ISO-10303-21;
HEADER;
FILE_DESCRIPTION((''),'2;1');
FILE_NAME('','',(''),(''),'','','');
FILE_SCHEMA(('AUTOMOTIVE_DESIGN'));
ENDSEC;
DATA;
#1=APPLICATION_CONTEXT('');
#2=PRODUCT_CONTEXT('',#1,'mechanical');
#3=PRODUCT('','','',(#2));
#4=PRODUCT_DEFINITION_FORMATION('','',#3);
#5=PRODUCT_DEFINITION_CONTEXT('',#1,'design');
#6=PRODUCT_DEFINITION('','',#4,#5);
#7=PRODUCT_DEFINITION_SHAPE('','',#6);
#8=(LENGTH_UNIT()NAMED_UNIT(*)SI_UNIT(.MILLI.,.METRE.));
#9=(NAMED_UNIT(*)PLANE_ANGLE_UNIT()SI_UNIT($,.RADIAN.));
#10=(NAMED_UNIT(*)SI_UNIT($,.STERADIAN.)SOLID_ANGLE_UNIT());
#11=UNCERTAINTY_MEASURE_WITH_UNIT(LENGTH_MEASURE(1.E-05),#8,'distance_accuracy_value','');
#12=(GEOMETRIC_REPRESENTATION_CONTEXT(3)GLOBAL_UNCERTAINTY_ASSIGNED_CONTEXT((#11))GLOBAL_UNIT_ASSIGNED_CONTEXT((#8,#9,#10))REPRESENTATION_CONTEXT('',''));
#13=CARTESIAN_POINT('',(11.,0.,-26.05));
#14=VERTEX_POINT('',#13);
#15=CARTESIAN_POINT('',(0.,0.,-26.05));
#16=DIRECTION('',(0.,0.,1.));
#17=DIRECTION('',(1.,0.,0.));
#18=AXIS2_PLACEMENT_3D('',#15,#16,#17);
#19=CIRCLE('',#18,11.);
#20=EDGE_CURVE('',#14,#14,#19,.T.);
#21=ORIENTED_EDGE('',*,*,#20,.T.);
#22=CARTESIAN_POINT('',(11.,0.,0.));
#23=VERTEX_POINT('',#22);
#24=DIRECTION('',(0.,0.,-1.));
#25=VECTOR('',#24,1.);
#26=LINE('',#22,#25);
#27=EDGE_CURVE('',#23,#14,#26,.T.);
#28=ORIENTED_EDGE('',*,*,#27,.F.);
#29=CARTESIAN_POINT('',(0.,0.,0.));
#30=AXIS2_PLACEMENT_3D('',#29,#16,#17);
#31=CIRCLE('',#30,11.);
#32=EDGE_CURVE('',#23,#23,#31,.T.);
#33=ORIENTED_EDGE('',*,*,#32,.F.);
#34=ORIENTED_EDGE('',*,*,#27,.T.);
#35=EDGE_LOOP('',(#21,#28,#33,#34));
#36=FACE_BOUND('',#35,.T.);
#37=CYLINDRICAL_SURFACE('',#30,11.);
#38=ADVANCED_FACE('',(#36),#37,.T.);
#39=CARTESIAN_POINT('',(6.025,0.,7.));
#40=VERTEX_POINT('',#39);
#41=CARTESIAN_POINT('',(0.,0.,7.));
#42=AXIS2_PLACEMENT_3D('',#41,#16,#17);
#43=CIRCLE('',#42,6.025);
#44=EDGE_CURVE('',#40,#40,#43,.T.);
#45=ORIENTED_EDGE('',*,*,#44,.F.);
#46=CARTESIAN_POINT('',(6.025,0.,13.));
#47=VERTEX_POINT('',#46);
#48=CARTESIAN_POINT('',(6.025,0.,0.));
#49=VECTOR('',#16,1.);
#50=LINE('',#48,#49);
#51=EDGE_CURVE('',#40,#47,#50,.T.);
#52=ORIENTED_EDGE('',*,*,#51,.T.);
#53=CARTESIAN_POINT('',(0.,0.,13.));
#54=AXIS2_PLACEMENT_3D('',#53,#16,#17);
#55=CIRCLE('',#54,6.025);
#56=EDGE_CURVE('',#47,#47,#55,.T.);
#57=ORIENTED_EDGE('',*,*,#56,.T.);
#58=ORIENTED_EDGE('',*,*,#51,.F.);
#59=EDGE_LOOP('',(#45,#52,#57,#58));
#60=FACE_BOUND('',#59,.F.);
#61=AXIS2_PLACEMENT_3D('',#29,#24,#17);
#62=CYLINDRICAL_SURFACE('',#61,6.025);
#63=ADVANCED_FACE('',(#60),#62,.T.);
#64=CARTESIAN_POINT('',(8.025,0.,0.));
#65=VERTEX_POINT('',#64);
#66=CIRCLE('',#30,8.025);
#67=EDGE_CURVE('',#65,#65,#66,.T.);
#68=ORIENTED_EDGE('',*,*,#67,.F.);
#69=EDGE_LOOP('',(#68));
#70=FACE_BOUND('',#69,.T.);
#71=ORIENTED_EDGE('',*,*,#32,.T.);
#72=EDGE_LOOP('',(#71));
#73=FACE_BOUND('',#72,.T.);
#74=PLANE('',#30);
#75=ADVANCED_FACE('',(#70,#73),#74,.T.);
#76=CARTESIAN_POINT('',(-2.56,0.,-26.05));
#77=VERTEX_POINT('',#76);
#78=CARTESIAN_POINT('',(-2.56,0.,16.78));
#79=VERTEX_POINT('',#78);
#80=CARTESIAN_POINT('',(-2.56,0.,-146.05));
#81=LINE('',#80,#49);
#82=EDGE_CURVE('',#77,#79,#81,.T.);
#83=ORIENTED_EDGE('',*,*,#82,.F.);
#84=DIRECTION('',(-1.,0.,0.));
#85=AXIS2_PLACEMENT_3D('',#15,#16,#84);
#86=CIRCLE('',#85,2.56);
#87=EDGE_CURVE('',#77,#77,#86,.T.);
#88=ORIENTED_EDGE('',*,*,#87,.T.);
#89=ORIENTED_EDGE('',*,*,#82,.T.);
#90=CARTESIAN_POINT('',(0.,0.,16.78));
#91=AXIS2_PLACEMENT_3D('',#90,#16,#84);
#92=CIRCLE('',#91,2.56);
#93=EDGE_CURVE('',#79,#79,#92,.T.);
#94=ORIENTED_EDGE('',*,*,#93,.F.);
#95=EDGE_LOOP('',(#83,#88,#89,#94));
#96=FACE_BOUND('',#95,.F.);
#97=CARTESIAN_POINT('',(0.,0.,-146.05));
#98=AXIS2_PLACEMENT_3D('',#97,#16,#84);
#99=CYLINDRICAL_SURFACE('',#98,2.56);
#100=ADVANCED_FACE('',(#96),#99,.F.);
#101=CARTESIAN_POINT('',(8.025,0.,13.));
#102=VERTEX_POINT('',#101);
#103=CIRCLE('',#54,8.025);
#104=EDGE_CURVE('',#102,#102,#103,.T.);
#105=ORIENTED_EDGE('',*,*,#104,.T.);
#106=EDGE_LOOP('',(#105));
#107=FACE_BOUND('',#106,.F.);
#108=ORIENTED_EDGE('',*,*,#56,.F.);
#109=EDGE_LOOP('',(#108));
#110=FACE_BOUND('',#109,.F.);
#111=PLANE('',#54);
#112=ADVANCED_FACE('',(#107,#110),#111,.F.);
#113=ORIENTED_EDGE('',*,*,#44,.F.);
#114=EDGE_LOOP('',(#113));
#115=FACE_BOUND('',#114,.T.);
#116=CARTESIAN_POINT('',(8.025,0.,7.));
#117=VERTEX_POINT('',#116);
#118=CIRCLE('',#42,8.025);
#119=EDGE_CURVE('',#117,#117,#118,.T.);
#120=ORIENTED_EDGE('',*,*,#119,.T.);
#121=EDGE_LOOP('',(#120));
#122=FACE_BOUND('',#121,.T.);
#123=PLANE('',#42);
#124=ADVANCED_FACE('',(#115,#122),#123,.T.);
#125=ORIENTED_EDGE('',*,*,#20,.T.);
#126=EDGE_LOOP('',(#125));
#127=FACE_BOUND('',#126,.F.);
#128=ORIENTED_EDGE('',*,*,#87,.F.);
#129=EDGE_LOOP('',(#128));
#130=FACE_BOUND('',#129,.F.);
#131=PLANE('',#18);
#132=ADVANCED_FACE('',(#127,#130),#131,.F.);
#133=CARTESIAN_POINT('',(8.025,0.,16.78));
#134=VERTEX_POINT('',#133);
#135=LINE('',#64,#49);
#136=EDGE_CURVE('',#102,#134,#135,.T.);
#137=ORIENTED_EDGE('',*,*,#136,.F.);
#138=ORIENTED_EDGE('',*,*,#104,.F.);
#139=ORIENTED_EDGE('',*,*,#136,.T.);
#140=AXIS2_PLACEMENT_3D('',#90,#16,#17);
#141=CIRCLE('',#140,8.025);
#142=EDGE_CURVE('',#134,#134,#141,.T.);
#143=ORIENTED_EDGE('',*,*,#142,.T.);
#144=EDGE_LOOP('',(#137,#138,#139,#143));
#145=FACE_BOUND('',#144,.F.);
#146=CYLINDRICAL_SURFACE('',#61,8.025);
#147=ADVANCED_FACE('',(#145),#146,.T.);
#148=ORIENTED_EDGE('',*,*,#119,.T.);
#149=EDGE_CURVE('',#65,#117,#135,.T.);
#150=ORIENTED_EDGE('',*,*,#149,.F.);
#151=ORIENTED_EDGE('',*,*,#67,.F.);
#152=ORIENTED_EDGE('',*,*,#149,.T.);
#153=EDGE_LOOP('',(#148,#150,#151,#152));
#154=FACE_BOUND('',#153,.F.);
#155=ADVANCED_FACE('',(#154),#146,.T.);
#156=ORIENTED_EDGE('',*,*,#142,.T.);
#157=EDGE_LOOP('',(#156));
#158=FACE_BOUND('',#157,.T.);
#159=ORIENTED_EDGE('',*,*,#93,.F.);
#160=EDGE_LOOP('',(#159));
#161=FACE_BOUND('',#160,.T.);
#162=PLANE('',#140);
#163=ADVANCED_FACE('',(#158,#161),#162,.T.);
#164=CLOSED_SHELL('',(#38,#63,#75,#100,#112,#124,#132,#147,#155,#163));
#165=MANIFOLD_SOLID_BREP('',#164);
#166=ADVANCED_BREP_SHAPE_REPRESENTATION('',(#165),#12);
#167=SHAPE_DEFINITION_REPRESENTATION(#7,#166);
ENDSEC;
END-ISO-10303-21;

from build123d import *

# Parameters (mm, degrees)
F0_R     = 11
F0_R_2   = 8.025
F0_R_3   = 6.025
F1_DEPTH = 26.05
F2_DEPTH = 16.78
F3_DEPTH = 13
F4_DEPTH = 7
F6_D     = 5.12
F6_DEPTH = 120
F6_TIP   = 1.5382031847


with BuildPart() as f1:
    # F0 (on Top) → F1 (new body)
    with BuildSketch(Plane.XY):
        Circle(F0_R)
        Circle(F0_R_2, mode=Mode.SUBTRACT)
        Circle(F0_R_2)
        Circle(F0_R_3, mode=Mode.SUBTRACT)
        Circle(F0_R_3)
    extrude(amount=-F1_DEPTH)

    # F0 (on Top) → F2 (join)
    with BuildSketch(Plane.XY):
        Circle(F0_R_2)
        Circle(F0_R_3, mode=Mode.SUBTRACT)
        Circle(F0_R_3)
    extrude(amount=F2_DEPTH)

    # F0 (on Top) → F3 (cut)
    with BuildSketch(Plane.XY):
        Circle(F0_R_2)
        Circle(F0_R_3, mode=Mode.SUBTRACT)
    extrude(amount=F3_DEPTH, mode=Mode.SUBTRACT)

    # F0 (on Top) → F4 (join)
    with BuildSketch(Plane.XY):
        Circle(F0_R_2)
        Circle(F0_R_3, mode=Mode.SUBTRACT)
    extrude(amount=F4_DEPTH)

    # F6
    with Locations(Plane(origin=(0, 0, -26.05), x_dir=(1, 0, 0), z_dir=(0, 0, -1))):
        with Locations((0, 0)):
            Hole(F6_D / 2, depth=F6_DEPTH)
            with Locations((0, 0, -(F6_DEPTH + F6_TIP / 2))):  # 118° drill point
                Cone(0, F6_D / 2, F6_TIP, mode=Mode.SUBTRACT)


solid = f1.part
